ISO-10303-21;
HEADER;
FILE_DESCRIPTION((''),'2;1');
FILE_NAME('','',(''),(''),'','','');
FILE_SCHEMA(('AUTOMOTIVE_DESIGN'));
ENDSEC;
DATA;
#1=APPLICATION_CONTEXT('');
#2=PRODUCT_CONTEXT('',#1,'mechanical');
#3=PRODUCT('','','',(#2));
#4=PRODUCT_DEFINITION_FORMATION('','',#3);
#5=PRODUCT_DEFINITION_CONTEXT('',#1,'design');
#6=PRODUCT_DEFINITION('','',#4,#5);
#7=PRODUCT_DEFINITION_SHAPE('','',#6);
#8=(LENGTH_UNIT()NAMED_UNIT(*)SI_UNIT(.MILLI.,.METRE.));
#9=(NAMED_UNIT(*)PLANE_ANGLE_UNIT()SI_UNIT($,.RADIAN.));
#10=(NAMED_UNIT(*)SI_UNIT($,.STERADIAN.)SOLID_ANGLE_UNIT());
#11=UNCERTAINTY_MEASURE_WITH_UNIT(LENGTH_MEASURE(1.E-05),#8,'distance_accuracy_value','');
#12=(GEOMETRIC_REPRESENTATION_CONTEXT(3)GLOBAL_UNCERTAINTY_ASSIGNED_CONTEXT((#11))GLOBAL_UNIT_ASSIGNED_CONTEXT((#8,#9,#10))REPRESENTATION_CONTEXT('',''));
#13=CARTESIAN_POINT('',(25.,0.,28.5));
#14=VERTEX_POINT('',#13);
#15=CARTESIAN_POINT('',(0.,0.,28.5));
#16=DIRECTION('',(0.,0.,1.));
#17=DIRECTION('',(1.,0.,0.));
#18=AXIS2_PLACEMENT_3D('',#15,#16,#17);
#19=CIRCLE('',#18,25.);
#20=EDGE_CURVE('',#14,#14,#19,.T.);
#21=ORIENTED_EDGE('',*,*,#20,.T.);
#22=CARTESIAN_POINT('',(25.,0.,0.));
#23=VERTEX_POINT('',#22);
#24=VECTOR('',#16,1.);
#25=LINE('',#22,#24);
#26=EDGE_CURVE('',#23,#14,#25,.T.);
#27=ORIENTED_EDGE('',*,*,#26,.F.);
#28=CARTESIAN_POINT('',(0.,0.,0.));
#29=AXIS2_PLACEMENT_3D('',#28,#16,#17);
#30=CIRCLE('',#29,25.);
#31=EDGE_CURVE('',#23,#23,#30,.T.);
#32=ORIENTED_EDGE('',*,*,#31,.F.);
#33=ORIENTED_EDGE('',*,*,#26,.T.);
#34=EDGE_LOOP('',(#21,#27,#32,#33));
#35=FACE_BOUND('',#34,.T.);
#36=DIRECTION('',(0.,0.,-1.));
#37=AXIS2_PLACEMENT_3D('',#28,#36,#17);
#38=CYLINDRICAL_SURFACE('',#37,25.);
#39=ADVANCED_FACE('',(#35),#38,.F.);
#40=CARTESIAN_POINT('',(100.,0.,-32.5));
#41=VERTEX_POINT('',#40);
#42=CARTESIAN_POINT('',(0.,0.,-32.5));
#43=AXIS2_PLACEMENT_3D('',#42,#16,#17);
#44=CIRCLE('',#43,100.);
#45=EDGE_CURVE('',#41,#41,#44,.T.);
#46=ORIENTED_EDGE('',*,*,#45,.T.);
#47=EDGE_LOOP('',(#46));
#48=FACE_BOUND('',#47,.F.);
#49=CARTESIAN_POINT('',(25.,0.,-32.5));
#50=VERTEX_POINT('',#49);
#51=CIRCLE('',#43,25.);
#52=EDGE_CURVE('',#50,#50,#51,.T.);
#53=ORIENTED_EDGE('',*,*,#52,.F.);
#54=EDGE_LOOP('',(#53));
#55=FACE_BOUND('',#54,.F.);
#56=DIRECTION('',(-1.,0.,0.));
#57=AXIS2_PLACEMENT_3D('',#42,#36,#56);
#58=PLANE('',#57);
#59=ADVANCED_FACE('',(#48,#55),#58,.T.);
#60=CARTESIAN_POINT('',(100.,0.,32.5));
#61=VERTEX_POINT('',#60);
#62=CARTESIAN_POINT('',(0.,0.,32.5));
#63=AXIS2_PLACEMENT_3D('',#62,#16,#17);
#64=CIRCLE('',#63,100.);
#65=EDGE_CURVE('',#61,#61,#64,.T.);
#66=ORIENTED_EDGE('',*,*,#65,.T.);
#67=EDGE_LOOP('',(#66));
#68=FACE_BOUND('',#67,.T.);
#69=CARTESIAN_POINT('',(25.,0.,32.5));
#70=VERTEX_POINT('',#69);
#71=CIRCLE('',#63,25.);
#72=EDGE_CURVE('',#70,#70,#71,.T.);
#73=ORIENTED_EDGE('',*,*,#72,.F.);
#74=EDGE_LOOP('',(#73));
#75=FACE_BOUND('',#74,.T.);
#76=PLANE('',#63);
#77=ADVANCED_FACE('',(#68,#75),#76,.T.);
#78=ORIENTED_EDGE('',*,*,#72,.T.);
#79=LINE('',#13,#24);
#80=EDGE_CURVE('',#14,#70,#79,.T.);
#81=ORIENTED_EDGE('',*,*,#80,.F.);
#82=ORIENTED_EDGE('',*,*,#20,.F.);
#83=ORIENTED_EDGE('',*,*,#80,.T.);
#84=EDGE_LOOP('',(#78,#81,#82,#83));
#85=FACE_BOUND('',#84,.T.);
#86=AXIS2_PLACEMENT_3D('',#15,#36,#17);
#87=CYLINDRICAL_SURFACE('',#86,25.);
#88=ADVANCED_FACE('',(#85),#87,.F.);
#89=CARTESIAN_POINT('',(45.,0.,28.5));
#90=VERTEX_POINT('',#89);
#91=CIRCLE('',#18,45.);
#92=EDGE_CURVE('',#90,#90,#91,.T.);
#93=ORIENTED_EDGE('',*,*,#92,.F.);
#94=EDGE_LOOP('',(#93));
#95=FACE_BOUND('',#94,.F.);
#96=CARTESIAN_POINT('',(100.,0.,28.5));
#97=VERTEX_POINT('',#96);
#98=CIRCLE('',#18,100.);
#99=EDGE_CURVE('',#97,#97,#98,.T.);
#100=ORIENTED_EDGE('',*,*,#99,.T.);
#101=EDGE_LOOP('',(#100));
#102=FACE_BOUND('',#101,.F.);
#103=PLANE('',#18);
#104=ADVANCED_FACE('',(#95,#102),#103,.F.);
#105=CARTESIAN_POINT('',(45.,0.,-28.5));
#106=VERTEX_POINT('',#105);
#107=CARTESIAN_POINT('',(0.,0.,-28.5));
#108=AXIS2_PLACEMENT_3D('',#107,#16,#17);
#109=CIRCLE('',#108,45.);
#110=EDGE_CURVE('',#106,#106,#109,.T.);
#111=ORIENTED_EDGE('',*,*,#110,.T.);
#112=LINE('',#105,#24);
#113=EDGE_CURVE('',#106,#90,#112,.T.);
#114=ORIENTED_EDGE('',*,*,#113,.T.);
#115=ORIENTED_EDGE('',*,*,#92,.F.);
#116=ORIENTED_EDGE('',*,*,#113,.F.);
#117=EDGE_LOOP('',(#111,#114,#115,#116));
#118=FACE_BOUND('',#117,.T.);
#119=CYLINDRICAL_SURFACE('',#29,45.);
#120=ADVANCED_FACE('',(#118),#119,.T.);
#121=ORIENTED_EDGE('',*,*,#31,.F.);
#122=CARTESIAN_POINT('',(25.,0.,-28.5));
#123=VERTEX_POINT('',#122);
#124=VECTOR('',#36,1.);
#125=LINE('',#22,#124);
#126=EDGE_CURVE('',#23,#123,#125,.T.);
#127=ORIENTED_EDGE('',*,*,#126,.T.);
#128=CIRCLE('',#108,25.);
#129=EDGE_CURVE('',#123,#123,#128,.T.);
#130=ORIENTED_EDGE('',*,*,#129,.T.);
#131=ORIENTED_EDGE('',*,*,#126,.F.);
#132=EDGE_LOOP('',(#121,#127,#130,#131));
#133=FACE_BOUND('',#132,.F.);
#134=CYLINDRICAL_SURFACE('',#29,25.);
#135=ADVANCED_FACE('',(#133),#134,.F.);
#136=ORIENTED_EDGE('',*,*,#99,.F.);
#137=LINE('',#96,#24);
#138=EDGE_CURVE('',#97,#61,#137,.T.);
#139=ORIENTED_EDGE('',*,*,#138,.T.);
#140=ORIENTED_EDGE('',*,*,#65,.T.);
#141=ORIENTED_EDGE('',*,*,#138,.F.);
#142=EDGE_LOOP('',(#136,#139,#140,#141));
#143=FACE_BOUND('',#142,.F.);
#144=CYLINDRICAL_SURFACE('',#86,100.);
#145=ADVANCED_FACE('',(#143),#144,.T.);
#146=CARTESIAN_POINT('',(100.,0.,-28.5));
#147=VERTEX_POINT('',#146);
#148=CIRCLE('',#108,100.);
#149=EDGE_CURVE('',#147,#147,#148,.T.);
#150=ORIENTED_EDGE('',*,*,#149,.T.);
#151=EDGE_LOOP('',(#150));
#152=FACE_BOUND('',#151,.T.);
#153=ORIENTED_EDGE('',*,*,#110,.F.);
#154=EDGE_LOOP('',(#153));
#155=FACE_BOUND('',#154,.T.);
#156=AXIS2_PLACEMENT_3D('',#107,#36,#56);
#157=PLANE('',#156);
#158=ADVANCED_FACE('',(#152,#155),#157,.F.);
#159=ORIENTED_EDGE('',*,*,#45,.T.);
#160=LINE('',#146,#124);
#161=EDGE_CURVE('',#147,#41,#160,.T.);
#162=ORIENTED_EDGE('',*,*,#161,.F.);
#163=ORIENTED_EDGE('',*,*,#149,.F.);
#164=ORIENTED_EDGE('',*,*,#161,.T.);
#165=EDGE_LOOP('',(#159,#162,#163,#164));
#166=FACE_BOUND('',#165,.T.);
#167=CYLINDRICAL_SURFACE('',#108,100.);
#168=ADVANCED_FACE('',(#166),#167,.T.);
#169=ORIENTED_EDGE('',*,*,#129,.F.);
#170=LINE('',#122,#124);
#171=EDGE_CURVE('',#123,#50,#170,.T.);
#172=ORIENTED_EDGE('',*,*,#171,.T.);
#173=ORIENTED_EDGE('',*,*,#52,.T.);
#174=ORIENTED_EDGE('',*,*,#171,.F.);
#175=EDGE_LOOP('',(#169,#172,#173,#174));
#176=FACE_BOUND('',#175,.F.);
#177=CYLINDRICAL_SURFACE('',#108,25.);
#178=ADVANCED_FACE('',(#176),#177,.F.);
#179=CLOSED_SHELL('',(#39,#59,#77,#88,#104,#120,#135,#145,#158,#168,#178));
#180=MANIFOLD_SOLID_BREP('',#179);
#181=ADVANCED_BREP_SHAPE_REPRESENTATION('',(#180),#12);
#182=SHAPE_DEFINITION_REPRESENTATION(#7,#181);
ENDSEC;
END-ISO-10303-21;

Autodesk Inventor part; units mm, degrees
ref_plane "YZ Plane" through (0, 0, 0) normal (1, 0, 0) x (0, 1, 0)
ref_plane "XZ Plane" through (0, 0, 0) normal (0, 1, 0) x (-1, 0, 0)
ref_plane "XY Plane" through (0, 0, 0) normal (0, 0, 1) x (1, 0, 0)
sketch "Sketch1" plane through (0, 0, 0) normal (0, 0, 1) x (1, 0, 0)
  circle A0 centre (0, 0) radius 25
  circle A1 centre (0, 0) radius 45
  dimension "d0" = 50
  dimension "d1" = 90
extrude "Extrusion1" add sketch "Sketch1" along normal mid plane 57
sketch "Sketch2" plane through (0, 0, 28.5) normal (0, 0, 1) x (1, 0, 0)
  circle A0 centre (0, 0) radius 100
  circle A1 centre (0, 0) radius 25 projected
  dimension "d4" = 200
extrude "Extrusion2" add sketch "Sketch2" along normal blind 4
mirror "Mirror1" about plane through (0, 0, 0) normal (0, 0, 1) of "Extrusion2"
properties part number "filament spool"
